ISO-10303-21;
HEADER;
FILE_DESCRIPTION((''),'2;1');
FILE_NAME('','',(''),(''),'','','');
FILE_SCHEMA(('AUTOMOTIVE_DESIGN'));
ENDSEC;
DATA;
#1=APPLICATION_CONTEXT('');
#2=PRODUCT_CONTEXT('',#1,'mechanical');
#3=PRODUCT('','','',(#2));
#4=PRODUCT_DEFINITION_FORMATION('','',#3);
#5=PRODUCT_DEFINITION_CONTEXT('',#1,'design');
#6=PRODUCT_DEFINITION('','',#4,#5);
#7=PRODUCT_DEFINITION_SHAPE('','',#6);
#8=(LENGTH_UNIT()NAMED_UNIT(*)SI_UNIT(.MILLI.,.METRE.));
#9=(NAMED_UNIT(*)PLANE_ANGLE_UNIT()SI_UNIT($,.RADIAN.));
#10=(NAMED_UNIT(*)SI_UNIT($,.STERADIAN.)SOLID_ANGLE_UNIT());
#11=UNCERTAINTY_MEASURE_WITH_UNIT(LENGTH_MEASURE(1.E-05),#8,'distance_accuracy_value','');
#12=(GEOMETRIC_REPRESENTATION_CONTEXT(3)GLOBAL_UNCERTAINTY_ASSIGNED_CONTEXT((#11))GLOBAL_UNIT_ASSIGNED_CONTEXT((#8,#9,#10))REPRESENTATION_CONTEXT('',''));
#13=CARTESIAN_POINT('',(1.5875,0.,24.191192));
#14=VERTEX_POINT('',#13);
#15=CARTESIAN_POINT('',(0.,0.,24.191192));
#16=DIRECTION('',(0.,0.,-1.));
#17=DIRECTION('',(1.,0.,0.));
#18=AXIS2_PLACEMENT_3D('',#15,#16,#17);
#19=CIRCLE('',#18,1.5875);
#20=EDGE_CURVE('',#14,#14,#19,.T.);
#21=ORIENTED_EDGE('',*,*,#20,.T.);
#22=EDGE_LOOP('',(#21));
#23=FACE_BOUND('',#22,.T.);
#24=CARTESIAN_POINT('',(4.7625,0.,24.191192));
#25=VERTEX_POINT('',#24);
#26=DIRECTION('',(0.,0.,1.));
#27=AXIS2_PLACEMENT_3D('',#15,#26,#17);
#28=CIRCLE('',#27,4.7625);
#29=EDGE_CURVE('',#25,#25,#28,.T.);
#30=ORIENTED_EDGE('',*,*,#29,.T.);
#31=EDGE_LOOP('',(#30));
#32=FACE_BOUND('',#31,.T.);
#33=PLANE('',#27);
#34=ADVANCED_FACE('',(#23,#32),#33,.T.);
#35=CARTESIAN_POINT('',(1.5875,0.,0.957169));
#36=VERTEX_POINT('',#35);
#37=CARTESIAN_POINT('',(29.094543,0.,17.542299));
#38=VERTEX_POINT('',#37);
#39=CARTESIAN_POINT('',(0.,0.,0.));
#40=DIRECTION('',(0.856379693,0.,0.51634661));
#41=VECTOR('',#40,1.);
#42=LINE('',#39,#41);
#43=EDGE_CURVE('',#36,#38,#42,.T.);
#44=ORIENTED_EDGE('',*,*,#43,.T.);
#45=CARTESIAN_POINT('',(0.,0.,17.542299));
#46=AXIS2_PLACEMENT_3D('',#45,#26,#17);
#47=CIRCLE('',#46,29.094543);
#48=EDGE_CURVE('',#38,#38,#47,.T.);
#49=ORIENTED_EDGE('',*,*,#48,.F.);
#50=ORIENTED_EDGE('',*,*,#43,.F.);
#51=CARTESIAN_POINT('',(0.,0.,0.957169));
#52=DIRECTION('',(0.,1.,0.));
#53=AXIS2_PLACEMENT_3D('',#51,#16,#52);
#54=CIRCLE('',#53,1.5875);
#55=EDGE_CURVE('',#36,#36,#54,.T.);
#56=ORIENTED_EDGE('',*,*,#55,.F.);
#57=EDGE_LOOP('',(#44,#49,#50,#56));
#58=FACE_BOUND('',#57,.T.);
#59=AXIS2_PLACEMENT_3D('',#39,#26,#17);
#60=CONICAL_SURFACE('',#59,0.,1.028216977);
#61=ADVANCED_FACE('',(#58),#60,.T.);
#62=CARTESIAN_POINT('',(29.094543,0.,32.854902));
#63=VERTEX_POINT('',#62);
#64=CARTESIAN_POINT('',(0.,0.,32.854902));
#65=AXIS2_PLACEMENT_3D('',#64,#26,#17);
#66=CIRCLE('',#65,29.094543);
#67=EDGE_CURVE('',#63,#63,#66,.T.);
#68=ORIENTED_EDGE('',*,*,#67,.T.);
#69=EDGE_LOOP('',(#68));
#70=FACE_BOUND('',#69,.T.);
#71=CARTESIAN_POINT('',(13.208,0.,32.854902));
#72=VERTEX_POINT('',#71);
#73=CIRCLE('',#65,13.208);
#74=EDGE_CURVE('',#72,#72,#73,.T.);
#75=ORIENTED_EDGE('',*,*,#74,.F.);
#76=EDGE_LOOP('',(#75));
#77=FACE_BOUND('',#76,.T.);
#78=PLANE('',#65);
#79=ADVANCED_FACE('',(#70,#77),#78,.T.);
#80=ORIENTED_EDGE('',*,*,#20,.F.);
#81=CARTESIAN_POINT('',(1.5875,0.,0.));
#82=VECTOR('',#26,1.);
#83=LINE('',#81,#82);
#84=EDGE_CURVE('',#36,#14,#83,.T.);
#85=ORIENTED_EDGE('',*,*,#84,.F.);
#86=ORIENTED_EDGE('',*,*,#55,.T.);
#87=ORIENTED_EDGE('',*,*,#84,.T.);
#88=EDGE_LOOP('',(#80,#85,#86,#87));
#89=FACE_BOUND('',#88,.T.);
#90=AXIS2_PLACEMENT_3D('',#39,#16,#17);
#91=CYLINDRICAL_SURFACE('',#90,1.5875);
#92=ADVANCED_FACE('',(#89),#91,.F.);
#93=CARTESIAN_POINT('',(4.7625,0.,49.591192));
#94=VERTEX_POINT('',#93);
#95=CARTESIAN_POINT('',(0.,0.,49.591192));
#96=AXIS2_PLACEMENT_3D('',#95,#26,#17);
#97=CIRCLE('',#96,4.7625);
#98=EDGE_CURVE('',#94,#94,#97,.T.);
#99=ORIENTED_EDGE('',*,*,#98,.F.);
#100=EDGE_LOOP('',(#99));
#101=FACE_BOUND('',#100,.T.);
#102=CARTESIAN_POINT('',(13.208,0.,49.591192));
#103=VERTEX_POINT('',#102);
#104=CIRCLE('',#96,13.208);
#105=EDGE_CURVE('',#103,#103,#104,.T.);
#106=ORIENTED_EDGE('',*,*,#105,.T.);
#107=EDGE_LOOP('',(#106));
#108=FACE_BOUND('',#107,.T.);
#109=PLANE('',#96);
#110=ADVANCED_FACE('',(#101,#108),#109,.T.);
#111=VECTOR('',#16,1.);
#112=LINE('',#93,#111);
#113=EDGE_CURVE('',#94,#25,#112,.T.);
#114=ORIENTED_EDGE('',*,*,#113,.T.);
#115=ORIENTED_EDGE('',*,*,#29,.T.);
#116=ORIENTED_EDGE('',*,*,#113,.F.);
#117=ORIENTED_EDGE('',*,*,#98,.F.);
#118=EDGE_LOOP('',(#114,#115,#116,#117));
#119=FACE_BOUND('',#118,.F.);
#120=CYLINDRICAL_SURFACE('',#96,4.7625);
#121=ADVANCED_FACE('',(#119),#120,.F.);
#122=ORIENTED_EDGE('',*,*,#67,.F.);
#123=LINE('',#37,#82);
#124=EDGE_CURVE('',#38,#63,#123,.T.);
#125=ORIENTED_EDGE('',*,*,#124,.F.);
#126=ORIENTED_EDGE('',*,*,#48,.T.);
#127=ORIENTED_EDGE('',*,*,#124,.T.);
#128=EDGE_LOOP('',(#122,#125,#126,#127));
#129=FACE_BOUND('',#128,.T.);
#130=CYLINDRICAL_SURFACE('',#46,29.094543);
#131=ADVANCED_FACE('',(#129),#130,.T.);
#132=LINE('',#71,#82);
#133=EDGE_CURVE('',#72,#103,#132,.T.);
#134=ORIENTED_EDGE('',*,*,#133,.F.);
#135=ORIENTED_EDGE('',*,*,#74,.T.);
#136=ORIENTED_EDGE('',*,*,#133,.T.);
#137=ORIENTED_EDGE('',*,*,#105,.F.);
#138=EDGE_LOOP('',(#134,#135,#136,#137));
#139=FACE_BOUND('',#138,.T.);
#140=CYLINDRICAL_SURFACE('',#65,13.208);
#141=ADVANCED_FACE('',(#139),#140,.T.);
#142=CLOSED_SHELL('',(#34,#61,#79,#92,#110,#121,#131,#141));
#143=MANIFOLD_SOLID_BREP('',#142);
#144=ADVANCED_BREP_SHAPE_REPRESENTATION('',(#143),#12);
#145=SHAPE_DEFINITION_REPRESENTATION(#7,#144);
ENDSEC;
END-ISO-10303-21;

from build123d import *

# Parameters (mm, degrees)
F2_R     = 4.7625
F4_DEPTH = 25.4
F5_R     = 1.5875
F6_DEPTH = 25.4


with BuildPart() as f1:
    # F0 (on Front) → F1 (revolve)
    with BuildSketch(Plane.XZ):
        Polygon((0, 49.591192), (0, 0), (29.094543, 17.542299), (29.094543, 32.854902), (13.208, 32.854902), (13.208, 49.591192), align=None)
    revolve(axis=Axis((0, 0, 24.795596), (0, 0, 1)))

    # F2 (on face) → F4 (cut)
    with BuildSketch(Plane.XY.offset(49.591192)):
        Circle(F2_R)
    extrude(amount=-F4_DEPTH, mode=Mode.SUBTRACT)

    # F5 (on Top) → F6 (cut)
    with BuildSketch(Plane.XY):
        Circle(F5_R)
    extrude(amount=F6_DEPTH, mode=Mode.SUBTRACT)


solid = f1.part
